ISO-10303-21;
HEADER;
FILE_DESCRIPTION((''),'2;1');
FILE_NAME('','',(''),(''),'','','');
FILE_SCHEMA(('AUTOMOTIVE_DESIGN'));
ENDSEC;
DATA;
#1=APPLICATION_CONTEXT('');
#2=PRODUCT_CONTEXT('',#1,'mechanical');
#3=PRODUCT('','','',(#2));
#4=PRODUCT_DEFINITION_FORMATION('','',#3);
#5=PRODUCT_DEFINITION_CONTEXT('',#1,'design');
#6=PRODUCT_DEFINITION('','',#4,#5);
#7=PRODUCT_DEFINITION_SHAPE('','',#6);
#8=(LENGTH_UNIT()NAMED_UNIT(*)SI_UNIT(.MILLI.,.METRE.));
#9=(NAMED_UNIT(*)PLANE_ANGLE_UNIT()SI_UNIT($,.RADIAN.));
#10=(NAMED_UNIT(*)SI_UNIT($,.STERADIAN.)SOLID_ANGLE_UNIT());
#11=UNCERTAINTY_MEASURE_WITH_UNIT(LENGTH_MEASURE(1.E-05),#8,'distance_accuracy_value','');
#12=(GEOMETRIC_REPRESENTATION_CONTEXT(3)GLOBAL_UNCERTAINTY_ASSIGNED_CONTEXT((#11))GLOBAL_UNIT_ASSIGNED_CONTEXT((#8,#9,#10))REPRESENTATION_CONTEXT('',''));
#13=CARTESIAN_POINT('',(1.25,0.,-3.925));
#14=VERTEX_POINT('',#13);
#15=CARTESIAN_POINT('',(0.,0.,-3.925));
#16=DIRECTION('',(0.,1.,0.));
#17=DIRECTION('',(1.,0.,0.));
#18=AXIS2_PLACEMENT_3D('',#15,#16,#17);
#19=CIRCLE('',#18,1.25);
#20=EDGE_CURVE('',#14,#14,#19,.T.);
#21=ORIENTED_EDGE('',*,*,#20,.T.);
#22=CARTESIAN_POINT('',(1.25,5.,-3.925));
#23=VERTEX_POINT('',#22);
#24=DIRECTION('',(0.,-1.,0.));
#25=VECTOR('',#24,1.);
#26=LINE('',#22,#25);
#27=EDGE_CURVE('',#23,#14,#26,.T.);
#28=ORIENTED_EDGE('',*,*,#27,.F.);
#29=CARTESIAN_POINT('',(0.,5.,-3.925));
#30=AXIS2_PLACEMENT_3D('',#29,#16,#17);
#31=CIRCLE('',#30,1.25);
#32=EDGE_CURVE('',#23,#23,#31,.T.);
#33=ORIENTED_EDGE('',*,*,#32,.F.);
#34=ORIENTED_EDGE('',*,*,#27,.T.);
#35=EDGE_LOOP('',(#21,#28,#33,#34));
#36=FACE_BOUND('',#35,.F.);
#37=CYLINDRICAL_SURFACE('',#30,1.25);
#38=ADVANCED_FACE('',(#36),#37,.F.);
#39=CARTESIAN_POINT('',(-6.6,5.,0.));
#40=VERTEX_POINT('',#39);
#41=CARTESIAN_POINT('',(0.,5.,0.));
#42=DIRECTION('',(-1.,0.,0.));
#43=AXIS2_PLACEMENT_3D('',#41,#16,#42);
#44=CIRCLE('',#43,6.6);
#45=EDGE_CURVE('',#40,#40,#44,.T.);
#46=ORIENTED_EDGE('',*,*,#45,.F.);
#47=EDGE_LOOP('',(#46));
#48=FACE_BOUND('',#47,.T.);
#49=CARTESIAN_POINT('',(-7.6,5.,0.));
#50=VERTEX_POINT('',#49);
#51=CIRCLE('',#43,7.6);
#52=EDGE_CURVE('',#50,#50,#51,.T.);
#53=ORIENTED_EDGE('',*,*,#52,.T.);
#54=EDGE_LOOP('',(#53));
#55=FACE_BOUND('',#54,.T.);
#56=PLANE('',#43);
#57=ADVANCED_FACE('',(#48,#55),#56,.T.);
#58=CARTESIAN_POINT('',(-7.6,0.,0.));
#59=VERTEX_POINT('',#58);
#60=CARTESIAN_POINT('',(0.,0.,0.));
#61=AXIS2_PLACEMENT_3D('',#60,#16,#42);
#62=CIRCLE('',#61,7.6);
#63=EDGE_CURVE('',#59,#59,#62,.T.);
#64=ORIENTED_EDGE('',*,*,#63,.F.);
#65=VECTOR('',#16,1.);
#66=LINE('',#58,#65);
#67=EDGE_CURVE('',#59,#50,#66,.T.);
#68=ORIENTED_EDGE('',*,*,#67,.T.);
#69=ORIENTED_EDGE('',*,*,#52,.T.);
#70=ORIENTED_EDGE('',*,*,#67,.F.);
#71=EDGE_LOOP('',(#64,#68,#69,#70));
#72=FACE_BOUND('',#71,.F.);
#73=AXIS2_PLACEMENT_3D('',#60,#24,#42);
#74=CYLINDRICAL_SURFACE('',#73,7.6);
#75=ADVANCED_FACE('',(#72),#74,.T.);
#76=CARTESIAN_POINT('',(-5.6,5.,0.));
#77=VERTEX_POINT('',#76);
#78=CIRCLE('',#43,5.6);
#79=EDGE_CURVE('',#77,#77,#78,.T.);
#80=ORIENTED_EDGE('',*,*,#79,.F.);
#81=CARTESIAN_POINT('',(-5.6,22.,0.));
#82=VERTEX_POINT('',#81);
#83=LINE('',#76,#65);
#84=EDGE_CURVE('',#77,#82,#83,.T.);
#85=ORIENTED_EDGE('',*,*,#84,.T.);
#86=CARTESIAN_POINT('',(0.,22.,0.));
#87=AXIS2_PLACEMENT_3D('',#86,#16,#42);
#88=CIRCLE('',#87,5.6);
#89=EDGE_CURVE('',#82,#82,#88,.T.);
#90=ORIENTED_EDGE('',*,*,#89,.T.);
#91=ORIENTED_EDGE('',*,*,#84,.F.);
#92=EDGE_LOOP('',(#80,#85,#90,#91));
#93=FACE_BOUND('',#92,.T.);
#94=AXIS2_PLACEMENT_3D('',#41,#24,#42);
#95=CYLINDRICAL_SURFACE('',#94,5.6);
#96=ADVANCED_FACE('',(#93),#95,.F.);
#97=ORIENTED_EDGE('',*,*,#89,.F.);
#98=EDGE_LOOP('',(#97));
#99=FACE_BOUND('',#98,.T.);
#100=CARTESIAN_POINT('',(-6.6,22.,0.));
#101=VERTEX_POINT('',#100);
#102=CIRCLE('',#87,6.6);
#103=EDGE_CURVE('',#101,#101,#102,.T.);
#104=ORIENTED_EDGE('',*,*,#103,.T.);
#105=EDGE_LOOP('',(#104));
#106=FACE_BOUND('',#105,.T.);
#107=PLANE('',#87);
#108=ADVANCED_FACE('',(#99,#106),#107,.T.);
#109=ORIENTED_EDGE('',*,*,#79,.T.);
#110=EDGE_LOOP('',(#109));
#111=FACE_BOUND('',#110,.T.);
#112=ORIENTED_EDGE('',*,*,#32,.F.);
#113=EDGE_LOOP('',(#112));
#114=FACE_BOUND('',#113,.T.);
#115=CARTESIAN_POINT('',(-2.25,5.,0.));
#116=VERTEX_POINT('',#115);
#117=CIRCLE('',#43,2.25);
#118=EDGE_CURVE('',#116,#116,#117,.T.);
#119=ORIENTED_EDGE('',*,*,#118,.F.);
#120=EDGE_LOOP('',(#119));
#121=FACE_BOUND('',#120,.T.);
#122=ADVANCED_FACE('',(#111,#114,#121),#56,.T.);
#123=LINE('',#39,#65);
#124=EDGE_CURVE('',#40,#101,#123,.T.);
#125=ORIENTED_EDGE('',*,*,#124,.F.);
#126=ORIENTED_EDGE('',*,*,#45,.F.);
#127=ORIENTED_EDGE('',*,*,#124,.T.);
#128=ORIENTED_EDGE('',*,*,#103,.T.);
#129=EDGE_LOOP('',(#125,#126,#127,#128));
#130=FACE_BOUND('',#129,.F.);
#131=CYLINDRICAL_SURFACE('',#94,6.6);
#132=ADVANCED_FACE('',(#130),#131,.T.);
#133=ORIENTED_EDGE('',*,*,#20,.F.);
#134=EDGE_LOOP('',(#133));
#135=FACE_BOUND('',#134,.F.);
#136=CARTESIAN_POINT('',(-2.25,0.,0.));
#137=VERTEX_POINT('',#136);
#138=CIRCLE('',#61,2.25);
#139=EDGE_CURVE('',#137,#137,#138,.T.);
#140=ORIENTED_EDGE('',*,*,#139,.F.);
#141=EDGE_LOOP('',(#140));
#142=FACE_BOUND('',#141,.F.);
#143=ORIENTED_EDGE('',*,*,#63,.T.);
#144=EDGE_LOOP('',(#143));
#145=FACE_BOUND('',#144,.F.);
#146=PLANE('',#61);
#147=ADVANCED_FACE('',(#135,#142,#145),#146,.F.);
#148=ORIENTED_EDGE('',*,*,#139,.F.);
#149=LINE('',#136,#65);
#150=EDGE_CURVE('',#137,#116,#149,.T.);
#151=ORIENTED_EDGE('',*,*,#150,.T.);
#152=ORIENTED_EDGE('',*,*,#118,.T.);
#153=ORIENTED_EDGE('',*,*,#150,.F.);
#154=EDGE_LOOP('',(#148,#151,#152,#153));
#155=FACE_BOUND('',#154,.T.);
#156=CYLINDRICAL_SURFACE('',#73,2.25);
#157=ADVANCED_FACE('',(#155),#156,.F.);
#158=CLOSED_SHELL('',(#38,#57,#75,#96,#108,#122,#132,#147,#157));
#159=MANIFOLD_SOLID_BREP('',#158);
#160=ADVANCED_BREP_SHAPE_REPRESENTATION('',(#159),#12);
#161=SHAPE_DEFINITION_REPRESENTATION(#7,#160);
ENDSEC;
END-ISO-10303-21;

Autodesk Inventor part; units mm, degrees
ref_plane "YZ Plane" through (0, 0, 0) normal (1, 0, 0) x (0, 1, 0)
ref_plane "XZ Plane" through (0, 0, 0) normal (0, 1, 0) x (-1, 0, 0)
ref_plane "XY Plane" through (0, 0, 0) normal (0, 0, 1) x (1, 0, 0)
sketch "Sketch1" plane through (0, 0, 0) normal (0, 1, 0) x (-1, 0, 0)
  circle A0 centre (0, 0) radius 5.6
  circle A1 centre (0, 0) radius 2.25
  circle A2 centre (0, 0) radius 6.6
  circle A3 centre (0, 0) radius 7.6
  dimension "d0" = 11.2
  dimension "d1" = 4.5
  dimension "d6" = 1
  dimension "d7" = 1
extrude "Extrusion1" add sketch "Sketch1" along normal blind 5 contours A0 | A2 | A3
extrude "Extrusion3" add sketch "Sketch1" along normal blind 17 from surface at 5 contours A2
sketch "Sketch4" plane through (0, 5, 0) normal (0, 1, 0) x (1, 0, 0)
  circle A0 centre (0, 3.925) radius 1.25
  circle A1 centre (0, 0) radius 2.25 projected
  line L0 (0, 2.25) -> (0, 5.6) construction
  circle A2 centre (0, 0) radius 5.6 projected
  dimension "d19" = 2.5
extrude "Extrusion5" cut sketch "Sketch4" against normal up to surface (5 mm away) contours A0
properties part number "button middle part 2"
